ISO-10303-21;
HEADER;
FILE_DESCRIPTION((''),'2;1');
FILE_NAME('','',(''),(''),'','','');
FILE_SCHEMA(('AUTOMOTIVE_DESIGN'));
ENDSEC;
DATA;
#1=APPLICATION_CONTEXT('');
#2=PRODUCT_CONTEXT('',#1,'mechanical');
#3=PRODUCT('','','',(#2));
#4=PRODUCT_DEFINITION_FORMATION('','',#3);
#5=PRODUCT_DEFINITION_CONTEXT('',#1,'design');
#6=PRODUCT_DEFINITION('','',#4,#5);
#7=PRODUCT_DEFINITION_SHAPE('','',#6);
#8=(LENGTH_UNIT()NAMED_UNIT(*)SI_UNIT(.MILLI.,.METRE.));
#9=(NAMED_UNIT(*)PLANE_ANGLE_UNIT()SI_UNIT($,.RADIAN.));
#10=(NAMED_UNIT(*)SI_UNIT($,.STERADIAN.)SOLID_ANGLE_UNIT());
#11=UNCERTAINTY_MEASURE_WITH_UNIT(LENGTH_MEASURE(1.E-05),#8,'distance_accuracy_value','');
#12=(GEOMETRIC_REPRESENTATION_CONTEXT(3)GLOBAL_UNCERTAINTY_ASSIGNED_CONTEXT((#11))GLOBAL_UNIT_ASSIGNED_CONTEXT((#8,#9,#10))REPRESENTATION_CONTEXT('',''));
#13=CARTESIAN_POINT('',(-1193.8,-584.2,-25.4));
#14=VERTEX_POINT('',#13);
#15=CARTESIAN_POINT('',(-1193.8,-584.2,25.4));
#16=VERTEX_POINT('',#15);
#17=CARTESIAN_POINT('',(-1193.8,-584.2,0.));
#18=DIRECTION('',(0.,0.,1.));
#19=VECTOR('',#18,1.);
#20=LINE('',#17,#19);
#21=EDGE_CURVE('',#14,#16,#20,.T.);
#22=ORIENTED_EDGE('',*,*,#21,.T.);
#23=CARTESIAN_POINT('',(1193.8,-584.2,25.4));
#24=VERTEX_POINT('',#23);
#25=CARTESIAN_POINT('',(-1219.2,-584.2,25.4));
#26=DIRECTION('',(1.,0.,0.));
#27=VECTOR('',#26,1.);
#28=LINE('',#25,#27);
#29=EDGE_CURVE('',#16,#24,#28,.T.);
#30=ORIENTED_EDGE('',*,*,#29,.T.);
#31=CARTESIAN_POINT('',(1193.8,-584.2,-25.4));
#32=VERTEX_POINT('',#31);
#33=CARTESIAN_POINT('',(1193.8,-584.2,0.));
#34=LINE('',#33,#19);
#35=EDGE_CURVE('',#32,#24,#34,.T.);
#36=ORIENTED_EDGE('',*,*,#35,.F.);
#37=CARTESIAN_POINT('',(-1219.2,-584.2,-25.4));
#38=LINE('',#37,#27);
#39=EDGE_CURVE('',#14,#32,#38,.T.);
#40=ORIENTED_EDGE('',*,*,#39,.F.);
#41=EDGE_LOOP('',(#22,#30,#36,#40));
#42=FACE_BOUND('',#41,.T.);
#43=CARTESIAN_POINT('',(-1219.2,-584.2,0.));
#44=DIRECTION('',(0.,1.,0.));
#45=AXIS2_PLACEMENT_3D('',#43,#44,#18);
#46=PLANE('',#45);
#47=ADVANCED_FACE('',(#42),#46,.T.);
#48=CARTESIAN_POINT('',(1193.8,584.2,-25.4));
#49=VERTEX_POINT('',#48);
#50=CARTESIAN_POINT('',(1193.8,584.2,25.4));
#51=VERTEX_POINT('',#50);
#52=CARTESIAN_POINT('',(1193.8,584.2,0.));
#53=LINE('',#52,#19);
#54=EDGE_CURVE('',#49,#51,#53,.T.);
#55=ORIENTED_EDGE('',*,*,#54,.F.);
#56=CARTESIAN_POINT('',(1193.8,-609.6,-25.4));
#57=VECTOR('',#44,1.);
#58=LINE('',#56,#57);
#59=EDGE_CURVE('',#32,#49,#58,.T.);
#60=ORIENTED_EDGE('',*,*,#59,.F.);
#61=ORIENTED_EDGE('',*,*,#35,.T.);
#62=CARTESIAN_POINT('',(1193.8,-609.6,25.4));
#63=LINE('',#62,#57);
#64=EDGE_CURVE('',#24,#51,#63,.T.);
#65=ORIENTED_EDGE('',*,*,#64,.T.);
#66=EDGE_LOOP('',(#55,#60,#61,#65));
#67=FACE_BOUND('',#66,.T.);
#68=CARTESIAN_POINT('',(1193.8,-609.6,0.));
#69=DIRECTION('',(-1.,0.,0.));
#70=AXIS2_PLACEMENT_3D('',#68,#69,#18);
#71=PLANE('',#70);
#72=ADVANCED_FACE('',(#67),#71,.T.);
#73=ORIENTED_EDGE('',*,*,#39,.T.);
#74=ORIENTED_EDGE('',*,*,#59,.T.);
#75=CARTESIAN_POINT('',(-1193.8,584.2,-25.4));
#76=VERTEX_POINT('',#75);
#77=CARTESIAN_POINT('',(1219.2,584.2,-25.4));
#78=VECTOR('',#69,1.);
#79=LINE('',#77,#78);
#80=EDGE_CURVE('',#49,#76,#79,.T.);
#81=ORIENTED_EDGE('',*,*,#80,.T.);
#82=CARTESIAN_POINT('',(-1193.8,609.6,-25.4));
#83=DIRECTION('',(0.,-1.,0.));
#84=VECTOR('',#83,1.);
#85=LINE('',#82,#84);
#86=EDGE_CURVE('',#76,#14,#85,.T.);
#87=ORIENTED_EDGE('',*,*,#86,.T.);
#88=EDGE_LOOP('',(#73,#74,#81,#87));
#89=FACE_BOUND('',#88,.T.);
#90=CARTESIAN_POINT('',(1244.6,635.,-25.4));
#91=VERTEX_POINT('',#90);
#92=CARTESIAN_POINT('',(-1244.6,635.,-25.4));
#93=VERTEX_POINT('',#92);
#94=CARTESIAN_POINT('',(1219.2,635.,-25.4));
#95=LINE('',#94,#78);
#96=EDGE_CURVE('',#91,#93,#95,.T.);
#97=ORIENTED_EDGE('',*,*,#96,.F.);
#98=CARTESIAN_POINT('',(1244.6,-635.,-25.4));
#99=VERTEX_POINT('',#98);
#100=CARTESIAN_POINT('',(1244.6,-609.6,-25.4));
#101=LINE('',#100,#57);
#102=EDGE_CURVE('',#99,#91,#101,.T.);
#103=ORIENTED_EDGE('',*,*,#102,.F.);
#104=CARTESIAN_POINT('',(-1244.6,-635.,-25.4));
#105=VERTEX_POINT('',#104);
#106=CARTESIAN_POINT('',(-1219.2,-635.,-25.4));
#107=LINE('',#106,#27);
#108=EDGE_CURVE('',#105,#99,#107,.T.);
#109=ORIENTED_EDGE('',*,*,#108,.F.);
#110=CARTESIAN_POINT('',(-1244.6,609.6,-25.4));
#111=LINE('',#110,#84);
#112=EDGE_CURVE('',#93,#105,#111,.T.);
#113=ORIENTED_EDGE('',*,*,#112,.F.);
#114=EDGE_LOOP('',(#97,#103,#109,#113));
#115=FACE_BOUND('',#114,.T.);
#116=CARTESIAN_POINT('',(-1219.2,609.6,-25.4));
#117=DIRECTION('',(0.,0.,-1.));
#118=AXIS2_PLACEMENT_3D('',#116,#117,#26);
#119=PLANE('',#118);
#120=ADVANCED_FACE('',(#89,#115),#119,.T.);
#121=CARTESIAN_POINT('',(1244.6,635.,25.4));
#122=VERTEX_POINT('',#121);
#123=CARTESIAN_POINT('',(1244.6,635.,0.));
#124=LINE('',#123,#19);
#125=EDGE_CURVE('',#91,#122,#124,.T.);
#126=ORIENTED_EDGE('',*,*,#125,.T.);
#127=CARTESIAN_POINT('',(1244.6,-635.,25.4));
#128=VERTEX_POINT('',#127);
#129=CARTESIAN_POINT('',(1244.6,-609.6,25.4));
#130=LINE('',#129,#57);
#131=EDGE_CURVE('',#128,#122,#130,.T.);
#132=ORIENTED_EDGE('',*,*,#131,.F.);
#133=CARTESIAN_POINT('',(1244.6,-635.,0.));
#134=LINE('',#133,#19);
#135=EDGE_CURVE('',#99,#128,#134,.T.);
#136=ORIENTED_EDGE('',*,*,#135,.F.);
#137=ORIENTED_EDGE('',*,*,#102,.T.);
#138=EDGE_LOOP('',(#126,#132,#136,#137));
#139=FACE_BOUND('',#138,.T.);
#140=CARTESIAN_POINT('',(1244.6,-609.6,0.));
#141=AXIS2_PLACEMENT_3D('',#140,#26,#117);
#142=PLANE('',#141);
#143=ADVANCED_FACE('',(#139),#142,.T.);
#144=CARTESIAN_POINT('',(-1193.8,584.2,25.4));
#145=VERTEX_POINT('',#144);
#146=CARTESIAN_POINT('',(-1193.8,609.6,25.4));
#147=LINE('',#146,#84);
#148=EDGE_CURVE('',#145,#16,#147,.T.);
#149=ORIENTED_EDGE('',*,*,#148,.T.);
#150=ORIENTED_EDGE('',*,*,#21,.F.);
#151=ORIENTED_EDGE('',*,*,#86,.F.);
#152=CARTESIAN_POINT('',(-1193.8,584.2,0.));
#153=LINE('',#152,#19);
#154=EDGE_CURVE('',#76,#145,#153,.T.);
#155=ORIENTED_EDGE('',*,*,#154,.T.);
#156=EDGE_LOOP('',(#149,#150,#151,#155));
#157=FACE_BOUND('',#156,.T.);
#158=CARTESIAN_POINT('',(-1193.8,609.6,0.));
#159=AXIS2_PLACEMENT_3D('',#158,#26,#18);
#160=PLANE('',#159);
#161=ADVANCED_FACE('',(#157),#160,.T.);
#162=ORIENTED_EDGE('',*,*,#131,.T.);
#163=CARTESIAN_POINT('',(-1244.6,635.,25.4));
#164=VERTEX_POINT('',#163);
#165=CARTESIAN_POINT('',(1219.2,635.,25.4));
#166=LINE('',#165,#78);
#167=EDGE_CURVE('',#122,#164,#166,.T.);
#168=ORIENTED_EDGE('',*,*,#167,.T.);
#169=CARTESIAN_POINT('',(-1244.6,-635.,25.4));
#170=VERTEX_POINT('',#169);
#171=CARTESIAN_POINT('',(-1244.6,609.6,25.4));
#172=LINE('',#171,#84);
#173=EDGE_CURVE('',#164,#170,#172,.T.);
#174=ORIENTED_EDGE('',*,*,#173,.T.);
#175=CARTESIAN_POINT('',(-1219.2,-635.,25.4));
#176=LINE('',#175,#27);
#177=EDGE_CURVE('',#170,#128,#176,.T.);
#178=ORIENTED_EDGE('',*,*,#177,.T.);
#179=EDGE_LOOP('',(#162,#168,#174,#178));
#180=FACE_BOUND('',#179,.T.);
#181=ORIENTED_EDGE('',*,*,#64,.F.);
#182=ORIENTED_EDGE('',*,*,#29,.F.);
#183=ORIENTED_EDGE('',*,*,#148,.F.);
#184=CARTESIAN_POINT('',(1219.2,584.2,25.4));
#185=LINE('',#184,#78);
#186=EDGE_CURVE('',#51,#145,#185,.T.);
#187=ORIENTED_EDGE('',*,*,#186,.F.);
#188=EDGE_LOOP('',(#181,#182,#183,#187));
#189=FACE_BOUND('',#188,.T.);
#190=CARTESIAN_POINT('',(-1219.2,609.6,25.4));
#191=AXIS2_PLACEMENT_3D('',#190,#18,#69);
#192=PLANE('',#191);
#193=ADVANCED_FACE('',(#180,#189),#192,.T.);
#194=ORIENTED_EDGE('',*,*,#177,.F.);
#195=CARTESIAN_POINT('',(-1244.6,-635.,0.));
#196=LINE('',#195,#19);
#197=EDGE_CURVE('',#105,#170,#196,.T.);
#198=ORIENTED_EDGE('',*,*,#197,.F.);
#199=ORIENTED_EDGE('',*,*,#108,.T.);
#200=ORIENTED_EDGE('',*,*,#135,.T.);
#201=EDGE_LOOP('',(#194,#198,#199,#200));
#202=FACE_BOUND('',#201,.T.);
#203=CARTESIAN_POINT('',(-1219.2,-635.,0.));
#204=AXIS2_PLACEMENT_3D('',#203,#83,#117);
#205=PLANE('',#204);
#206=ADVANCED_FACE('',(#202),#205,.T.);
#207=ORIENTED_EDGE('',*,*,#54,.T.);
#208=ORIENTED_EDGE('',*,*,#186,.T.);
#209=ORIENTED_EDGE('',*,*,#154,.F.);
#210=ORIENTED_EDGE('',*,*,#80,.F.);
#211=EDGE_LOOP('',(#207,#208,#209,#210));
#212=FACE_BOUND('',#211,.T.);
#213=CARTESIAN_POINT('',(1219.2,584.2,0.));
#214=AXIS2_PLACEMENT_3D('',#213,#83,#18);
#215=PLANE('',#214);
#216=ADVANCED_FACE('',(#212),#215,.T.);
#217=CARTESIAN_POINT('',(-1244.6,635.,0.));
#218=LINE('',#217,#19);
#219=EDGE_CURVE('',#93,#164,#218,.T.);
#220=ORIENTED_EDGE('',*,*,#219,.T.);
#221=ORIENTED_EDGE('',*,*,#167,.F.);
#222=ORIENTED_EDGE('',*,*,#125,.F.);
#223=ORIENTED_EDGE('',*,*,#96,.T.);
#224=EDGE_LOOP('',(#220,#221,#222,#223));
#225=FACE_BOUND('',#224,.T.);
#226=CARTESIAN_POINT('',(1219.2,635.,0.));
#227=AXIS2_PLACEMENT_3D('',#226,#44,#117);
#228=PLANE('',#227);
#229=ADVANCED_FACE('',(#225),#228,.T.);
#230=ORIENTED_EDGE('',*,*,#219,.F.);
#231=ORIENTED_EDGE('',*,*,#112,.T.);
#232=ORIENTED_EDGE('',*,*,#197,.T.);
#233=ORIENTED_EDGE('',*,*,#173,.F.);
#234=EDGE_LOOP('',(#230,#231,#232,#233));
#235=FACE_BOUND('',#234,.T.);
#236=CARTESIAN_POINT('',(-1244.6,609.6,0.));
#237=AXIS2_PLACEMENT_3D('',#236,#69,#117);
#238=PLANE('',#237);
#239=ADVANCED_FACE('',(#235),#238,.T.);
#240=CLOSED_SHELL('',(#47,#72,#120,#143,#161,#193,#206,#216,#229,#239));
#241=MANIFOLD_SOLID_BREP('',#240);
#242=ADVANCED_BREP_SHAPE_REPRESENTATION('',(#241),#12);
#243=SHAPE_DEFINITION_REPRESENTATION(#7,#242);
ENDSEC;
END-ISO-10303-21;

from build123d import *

# Parameters (mm, degrees)
F1_W = 50.8
F1_H = 50.8


with BuildPart() as f2:
    # F2: sweep along a path in F0
    with BuildLine(Plane.XY) as f2_path:
        Line((-1219.2, 609.6), (-1219.2, -609.6))
        Line((-1219.2, -609.6), (1219.2, -609.6))
        Line((1219.2, -609.6), (1219.2, 609.6))
        Line((1219.2, 609.6), (-1219.2, 609.6))
    # F1 (on Front) → F2 (sweep)
    with BuildSketch(Plane.XZ):
        with Locations((-1219.2, 0)):
            Rectangle(F1_W, F1_H)
    sweep(path=f2_path.line, transition=Transition.RIGHT)


solid = f2.part
